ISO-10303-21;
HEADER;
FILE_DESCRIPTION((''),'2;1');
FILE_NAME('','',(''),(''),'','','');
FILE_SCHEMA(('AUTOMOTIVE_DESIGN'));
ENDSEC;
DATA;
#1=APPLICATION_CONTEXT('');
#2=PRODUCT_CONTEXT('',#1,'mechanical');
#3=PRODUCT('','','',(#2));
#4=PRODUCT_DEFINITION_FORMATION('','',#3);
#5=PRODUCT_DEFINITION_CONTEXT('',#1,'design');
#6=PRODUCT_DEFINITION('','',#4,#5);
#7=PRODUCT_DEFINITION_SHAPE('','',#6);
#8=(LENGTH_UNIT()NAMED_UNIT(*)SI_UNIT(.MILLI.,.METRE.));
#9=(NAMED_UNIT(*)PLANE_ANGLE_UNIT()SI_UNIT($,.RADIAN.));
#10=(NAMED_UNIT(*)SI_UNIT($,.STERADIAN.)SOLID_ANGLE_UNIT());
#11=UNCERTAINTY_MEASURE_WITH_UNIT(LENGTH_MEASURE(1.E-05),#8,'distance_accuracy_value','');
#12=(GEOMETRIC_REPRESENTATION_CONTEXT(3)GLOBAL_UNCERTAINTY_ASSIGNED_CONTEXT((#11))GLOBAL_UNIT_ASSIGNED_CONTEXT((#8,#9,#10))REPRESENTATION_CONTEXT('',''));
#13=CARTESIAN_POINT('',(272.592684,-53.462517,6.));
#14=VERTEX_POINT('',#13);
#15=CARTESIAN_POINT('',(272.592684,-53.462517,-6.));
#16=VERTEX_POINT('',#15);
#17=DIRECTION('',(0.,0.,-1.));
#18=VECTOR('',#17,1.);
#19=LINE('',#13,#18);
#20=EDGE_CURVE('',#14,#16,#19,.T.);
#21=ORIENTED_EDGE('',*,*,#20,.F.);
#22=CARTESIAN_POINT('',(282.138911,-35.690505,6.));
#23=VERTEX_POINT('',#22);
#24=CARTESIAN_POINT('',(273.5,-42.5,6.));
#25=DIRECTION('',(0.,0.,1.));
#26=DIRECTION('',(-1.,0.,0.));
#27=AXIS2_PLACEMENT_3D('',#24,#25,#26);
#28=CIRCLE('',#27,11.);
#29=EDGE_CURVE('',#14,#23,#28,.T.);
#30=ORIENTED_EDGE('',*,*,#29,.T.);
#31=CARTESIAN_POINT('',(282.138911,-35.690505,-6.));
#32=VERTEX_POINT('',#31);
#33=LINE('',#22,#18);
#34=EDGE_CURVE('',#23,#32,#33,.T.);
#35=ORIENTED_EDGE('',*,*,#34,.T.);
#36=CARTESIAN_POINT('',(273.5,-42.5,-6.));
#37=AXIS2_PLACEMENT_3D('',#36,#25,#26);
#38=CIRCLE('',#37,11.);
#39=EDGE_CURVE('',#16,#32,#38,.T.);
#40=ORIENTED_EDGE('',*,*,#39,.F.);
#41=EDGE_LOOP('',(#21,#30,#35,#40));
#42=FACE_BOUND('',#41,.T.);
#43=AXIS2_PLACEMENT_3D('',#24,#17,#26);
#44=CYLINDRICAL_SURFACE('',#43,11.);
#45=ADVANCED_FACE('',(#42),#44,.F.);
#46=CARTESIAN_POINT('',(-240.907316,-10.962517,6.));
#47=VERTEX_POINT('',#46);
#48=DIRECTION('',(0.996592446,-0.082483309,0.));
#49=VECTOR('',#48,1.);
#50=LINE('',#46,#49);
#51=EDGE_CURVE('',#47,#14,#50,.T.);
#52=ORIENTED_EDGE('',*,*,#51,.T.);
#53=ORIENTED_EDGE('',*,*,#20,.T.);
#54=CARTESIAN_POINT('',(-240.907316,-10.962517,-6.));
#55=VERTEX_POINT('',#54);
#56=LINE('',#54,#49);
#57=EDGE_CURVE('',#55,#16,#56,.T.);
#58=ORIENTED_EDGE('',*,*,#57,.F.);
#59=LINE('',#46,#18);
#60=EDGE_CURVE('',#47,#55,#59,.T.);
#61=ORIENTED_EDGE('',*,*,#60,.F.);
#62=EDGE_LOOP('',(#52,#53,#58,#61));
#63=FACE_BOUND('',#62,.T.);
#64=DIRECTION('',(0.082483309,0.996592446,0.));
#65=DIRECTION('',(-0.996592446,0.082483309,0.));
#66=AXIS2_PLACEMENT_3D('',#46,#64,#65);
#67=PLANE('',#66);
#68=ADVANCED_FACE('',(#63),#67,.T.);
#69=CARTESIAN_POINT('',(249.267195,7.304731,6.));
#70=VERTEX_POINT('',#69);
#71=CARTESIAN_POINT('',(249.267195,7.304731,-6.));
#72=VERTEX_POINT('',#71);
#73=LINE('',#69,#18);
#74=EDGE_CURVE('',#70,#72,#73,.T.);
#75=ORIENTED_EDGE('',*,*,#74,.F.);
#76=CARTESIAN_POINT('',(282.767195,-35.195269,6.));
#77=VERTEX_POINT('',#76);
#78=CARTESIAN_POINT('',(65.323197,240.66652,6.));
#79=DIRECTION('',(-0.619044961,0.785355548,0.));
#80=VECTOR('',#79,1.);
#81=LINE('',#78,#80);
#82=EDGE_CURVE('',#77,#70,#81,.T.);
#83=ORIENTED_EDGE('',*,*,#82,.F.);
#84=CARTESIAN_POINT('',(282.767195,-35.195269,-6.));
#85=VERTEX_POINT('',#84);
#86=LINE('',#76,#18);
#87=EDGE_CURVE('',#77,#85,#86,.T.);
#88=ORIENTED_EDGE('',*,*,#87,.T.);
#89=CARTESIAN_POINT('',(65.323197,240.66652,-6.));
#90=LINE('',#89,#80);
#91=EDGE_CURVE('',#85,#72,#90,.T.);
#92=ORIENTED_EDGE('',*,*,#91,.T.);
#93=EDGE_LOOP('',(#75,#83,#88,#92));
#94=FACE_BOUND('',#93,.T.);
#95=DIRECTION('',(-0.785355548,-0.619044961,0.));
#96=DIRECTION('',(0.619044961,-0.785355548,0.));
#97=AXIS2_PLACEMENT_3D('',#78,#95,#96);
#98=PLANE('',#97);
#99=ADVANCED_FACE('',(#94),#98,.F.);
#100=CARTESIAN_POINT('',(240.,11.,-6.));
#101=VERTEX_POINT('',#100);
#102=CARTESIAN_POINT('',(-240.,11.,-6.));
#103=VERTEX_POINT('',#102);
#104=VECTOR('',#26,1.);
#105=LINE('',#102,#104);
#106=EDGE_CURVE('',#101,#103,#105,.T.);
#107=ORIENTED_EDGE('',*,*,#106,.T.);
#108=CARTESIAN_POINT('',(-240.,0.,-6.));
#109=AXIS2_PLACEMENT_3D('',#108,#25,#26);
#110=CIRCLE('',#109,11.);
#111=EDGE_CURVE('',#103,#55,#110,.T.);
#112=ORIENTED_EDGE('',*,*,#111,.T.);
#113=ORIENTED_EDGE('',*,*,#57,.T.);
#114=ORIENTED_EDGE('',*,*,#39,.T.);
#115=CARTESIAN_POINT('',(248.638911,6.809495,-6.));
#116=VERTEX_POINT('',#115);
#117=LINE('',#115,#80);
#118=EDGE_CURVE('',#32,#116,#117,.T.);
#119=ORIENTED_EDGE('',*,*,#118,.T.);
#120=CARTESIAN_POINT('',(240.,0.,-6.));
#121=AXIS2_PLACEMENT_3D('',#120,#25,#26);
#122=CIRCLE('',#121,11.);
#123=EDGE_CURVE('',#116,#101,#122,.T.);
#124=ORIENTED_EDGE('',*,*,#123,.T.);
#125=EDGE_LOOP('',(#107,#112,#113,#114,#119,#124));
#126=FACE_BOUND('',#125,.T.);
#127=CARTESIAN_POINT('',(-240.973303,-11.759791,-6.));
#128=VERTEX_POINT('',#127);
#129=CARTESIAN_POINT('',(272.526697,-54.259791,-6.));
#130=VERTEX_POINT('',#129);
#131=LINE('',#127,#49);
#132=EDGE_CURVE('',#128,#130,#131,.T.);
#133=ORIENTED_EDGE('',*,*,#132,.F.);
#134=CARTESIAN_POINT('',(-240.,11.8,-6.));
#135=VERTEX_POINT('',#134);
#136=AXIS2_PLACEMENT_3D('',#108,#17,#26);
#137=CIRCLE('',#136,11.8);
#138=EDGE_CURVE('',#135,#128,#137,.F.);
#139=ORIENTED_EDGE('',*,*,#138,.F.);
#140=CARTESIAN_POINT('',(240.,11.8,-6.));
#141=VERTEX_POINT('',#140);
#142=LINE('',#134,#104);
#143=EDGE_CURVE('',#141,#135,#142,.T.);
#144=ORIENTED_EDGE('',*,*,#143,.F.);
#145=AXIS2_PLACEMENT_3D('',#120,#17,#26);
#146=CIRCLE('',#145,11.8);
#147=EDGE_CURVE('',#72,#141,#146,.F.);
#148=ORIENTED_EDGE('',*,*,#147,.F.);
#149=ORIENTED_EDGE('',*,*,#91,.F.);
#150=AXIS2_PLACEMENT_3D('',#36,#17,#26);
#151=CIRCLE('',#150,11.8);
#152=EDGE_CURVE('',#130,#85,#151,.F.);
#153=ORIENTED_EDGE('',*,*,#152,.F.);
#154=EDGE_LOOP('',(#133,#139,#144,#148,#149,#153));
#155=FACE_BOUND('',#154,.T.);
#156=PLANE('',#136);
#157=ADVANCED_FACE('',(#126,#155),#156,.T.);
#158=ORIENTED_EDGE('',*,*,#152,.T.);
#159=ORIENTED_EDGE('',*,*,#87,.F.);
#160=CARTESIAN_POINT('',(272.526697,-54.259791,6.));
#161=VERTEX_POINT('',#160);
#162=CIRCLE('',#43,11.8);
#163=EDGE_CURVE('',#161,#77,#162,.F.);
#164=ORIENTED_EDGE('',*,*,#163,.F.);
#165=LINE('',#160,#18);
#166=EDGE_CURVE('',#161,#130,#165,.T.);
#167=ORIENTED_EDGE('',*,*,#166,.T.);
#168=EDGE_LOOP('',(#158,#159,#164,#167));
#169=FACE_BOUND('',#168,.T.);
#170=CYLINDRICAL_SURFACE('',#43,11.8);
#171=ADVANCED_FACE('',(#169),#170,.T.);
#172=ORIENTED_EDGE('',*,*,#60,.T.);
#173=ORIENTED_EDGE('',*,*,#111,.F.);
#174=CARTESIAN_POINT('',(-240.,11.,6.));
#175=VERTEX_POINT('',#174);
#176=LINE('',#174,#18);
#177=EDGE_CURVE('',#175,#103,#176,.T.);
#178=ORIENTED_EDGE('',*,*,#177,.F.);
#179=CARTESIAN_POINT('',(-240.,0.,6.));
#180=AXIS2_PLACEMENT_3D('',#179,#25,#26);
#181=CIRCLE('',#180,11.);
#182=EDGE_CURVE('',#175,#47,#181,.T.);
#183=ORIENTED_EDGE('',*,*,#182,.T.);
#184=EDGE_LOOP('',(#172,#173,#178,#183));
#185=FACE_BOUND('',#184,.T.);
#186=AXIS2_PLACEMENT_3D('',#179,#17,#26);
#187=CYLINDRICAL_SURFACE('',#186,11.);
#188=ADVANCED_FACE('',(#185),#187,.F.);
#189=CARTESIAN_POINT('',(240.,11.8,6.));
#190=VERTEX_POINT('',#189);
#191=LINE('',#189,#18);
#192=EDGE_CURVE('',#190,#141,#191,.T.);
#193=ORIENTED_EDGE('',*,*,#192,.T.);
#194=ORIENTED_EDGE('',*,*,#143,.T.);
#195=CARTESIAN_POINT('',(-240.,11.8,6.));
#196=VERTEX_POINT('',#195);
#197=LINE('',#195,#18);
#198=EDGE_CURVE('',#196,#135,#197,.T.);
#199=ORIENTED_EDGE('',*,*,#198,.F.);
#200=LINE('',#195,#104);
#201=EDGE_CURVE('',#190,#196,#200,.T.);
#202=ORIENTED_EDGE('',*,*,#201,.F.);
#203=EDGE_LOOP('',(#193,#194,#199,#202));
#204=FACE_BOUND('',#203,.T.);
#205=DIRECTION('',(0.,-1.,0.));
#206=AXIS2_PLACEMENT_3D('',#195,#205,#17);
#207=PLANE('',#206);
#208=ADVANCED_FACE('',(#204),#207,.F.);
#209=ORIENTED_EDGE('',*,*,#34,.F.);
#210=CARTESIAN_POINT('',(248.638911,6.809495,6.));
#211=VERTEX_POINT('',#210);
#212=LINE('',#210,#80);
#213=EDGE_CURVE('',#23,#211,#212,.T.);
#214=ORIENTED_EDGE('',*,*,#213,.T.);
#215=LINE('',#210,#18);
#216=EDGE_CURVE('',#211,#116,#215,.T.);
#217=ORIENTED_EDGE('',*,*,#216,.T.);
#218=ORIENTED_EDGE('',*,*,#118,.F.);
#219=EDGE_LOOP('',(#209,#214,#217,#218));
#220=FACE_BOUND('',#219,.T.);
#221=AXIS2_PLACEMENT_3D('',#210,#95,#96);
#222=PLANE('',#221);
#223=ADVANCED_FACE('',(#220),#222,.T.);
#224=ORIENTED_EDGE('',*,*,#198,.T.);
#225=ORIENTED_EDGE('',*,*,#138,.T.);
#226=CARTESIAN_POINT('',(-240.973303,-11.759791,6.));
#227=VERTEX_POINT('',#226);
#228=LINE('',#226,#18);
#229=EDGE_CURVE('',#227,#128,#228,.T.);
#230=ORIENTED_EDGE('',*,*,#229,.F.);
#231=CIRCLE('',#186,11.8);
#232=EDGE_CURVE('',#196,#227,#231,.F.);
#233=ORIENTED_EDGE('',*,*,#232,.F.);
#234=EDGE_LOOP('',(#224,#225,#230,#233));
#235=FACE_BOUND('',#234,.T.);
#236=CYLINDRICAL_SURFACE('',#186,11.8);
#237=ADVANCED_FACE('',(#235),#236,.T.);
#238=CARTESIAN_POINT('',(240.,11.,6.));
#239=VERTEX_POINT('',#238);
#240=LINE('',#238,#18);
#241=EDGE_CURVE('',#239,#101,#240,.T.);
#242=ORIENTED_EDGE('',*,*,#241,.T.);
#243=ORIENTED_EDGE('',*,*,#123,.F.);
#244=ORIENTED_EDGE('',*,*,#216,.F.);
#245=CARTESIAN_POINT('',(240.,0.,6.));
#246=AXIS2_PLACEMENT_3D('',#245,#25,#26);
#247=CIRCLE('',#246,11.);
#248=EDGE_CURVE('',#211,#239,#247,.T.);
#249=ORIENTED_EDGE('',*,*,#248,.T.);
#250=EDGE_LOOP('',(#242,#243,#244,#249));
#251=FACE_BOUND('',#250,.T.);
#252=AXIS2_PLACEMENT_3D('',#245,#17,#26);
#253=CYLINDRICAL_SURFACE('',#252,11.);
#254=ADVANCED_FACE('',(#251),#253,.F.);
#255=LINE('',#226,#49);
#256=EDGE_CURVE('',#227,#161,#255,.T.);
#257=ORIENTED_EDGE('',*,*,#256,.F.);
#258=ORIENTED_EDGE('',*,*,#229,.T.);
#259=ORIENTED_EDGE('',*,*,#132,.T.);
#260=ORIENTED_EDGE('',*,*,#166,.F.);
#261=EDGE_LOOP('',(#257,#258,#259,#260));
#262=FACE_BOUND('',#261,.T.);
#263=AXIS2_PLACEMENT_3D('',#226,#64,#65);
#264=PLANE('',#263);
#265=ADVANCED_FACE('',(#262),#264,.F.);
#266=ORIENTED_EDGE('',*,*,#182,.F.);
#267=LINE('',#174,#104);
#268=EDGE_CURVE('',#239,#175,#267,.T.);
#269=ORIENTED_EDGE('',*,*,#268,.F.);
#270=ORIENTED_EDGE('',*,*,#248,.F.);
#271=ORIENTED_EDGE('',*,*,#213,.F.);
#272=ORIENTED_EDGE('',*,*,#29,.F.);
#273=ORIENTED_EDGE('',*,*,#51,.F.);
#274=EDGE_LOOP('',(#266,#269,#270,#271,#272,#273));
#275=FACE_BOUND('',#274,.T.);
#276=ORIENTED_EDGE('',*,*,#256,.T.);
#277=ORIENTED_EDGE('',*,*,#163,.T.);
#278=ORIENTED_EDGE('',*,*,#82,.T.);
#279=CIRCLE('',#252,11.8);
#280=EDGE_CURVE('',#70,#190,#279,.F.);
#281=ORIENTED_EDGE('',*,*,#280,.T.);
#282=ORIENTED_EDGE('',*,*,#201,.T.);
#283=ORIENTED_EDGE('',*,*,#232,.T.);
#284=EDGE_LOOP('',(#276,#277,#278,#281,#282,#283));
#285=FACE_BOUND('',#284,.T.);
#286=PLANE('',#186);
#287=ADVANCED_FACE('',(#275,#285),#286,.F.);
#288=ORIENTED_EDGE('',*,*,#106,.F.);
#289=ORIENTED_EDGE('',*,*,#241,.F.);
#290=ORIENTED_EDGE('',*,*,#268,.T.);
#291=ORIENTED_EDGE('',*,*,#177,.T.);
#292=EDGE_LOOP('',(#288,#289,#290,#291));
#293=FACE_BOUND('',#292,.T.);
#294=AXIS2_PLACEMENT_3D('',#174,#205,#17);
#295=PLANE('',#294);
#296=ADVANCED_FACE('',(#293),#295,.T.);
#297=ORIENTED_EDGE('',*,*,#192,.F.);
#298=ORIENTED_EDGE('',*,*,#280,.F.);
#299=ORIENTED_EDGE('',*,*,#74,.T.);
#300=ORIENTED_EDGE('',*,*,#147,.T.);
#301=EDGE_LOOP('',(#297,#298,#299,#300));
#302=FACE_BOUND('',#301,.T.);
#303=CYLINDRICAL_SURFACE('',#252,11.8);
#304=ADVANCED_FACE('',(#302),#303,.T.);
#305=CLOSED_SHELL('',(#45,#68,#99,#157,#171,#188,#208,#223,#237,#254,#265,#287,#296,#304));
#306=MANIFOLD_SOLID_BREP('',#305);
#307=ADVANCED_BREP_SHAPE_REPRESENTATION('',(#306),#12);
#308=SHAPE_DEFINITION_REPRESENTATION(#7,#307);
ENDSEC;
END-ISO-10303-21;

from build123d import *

# Parameters (mm, degrees)
LINEAR_AUSTRAGEN_D_NN1_DEPTH = 6


with BuildPart() as part:
    # Skizze1 → Linear-Austragen-Dünn1 (new, symmetric)
    with BuildSketch(Plane.XY):
        with BuildLine():
            Line((-240, 11.8), (240, 11.8))
            ThreePointArc((240, 11.8), (245.149960176, 10.616869133), (249.267195462, 7.304730541))
            Line((249.267195462, 7.304730541), (282.767195462, -35.195269459))
            ThreePointArc((282.767195462, -35.195269459), (283.895246845, -48.083801843), (272.526696959, -54.259790865))
            Line((272.526696959, -54.259790865), (-240.973303041, -11.759790865))
            ThreePointArc((-240.973303041, -11.759790865), (-251.789943431, 0.487066624), (-240, 11.8))
        make_face()
        with BuildLine():
            Line((-240, 11), (240, 11))
            ThreePointArc((240, 11), (244.800810333, 9.897081395), (248.638911024, 6.809494572))
            Line((248.638911024, 6.809494572), (282.138911024, -35.690505428))
            ThreePointArc((282.138911024, -35.690505428), (283.190484347, -47.705239006), (272.592683605, -53.462516908))
            Line((272.592683605, -53.462516908), (-240.907316395, -10.962516908))
            ThreePointArc((-240.907316395, -10.962516908), (-250.990625232, 0.454045158), (-240, 11))
        make_face(mode=Mode.SUBTRACT)
    extrude(amount=LINEAR_AUSTRAGEN_D_NN1_DEPTH, both=True)


solid = part.part
